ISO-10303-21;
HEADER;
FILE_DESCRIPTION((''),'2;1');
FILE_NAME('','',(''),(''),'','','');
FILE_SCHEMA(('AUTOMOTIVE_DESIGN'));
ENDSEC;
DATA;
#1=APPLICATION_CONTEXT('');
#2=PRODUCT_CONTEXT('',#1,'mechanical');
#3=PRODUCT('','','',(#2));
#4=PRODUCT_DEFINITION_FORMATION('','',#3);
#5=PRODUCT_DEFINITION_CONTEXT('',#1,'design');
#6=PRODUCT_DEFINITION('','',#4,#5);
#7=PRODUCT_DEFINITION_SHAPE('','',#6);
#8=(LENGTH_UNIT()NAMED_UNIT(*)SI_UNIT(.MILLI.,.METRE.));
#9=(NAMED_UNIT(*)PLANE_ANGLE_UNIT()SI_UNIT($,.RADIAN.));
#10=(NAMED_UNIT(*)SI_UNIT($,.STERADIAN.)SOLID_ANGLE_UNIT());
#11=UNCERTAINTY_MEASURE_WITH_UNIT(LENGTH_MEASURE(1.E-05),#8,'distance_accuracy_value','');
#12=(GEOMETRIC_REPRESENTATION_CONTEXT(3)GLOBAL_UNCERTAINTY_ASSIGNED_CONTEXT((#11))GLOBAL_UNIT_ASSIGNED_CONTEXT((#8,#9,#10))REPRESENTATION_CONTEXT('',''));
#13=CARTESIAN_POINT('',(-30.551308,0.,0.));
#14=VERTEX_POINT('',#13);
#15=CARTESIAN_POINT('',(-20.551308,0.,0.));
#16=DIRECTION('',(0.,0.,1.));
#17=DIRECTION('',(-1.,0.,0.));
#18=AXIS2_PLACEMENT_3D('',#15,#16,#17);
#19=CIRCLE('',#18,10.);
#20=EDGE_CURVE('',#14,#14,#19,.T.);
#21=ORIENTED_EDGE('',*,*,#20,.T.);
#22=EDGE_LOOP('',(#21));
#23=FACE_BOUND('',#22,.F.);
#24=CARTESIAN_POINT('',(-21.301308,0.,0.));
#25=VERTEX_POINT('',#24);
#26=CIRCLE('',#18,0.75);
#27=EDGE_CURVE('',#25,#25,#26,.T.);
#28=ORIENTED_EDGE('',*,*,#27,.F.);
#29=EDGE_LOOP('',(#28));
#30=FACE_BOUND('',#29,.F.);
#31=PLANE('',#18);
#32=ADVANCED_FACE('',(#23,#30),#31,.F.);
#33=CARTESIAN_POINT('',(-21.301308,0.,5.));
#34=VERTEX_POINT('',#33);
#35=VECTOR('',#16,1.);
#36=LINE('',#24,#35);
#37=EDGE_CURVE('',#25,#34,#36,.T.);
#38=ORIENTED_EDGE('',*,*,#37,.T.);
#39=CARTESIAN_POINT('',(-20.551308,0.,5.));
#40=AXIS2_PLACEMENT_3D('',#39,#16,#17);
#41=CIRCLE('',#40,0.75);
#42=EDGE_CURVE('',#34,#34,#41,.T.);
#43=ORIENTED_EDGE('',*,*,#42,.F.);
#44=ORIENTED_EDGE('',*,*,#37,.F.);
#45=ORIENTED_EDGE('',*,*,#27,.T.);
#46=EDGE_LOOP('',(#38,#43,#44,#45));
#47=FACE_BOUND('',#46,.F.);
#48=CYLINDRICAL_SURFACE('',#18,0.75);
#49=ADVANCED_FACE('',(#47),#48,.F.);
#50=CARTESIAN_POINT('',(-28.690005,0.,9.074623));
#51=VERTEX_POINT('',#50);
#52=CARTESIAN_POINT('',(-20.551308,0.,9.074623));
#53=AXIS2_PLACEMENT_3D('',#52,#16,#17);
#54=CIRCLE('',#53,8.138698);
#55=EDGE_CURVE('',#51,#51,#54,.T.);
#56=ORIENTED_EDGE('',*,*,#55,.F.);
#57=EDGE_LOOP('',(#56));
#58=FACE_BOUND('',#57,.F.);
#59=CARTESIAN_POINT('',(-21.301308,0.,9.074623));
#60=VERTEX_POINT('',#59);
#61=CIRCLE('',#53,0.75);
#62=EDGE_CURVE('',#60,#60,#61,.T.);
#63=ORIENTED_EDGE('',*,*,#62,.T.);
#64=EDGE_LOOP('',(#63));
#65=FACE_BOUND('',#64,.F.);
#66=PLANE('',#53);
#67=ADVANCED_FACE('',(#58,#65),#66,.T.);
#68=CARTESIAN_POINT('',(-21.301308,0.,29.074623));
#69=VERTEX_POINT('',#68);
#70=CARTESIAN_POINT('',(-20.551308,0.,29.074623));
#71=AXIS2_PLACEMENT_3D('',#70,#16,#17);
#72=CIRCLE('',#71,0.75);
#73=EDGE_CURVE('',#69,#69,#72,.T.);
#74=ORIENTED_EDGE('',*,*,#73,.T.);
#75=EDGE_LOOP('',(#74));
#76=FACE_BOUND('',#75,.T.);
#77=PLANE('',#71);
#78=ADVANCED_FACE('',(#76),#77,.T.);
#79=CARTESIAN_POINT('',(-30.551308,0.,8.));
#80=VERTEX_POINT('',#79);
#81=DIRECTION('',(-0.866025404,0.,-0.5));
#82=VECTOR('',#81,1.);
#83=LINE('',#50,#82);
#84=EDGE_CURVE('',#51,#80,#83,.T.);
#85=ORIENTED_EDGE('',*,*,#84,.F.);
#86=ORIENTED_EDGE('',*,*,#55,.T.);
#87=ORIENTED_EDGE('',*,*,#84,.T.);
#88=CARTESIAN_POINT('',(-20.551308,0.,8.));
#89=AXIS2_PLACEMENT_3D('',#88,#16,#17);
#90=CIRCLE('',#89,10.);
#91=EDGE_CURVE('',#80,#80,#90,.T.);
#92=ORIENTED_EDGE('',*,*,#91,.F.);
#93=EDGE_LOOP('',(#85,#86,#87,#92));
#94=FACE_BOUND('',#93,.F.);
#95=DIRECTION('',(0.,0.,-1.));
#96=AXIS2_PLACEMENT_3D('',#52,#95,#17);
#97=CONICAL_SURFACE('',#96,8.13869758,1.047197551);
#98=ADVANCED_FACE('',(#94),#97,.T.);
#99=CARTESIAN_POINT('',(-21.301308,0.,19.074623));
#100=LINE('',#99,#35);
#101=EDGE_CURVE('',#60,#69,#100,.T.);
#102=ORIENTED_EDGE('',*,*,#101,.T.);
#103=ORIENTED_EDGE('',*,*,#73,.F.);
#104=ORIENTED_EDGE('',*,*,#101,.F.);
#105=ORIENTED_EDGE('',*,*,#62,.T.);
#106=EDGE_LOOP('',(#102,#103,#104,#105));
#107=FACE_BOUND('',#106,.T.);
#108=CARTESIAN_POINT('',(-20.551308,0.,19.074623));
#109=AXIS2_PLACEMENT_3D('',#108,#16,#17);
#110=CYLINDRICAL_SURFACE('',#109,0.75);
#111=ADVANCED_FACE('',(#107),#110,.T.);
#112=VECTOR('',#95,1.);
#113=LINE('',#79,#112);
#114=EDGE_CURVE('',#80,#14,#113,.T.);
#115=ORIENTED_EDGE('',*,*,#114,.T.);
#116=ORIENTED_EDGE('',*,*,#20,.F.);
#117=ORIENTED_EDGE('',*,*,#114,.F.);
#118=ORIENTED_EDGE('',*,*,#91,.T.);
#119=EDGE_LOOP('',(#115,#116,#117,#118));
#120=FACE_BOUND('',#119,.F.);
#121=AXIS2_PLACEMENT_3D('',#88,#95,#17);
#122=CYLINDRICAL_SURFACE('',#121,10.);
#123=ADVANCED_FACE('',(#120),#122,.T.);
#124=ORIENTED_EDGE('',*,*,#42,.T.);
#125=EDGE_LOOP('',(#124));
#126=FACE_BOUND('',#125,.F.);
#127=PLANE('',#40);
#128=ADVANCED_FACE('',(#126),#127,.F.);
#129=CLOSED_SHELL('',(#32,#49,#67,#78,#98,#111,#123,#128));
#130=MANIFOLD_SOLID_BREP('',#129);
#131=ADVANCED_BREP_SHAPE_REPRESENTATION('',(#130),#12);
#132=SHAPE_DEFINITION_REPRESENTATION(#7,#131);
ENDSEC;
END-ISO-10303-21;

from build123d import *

# Parameters (mm, degrees)
F0_W   = 0.75
F0_H   = 20
F0_H_2 = 3
F0_H_3 = 1.0746234533


with BuildPart() as f1:
    # F0 (on Front) → F1 (revolve)
    with BuildSketch(Plane.XZ):
        with Locations((-20.9263077103, 19.0746234533)):
            Rectangle(F0_W, F0_H)
        Polygon((-21.3013077103, 8), (-30.5513077103, 8), (-30.5513077103, 0), (-21.3013077103, 0), (-21.3013077103, 5), align=None)
        Polygon((-28.6900052902, 9.0746234533), (-30.5513077103, 8), (-21.3013077103, 8), (-21.3013077103, 9.0746234533), align=None)
        with Locations((-20.9263077103, 6.5)):
            Rectangle(F0_W, F0_H_2)
        with Locations((-20.9263077103, 8.5373117267)):
            Rectangle(F0_W, F0_H_3)
    revolve(axis=Axis((-20.5513077103, 0, 19.0746234533), (0, 0, 1)))


solid = f1.part
